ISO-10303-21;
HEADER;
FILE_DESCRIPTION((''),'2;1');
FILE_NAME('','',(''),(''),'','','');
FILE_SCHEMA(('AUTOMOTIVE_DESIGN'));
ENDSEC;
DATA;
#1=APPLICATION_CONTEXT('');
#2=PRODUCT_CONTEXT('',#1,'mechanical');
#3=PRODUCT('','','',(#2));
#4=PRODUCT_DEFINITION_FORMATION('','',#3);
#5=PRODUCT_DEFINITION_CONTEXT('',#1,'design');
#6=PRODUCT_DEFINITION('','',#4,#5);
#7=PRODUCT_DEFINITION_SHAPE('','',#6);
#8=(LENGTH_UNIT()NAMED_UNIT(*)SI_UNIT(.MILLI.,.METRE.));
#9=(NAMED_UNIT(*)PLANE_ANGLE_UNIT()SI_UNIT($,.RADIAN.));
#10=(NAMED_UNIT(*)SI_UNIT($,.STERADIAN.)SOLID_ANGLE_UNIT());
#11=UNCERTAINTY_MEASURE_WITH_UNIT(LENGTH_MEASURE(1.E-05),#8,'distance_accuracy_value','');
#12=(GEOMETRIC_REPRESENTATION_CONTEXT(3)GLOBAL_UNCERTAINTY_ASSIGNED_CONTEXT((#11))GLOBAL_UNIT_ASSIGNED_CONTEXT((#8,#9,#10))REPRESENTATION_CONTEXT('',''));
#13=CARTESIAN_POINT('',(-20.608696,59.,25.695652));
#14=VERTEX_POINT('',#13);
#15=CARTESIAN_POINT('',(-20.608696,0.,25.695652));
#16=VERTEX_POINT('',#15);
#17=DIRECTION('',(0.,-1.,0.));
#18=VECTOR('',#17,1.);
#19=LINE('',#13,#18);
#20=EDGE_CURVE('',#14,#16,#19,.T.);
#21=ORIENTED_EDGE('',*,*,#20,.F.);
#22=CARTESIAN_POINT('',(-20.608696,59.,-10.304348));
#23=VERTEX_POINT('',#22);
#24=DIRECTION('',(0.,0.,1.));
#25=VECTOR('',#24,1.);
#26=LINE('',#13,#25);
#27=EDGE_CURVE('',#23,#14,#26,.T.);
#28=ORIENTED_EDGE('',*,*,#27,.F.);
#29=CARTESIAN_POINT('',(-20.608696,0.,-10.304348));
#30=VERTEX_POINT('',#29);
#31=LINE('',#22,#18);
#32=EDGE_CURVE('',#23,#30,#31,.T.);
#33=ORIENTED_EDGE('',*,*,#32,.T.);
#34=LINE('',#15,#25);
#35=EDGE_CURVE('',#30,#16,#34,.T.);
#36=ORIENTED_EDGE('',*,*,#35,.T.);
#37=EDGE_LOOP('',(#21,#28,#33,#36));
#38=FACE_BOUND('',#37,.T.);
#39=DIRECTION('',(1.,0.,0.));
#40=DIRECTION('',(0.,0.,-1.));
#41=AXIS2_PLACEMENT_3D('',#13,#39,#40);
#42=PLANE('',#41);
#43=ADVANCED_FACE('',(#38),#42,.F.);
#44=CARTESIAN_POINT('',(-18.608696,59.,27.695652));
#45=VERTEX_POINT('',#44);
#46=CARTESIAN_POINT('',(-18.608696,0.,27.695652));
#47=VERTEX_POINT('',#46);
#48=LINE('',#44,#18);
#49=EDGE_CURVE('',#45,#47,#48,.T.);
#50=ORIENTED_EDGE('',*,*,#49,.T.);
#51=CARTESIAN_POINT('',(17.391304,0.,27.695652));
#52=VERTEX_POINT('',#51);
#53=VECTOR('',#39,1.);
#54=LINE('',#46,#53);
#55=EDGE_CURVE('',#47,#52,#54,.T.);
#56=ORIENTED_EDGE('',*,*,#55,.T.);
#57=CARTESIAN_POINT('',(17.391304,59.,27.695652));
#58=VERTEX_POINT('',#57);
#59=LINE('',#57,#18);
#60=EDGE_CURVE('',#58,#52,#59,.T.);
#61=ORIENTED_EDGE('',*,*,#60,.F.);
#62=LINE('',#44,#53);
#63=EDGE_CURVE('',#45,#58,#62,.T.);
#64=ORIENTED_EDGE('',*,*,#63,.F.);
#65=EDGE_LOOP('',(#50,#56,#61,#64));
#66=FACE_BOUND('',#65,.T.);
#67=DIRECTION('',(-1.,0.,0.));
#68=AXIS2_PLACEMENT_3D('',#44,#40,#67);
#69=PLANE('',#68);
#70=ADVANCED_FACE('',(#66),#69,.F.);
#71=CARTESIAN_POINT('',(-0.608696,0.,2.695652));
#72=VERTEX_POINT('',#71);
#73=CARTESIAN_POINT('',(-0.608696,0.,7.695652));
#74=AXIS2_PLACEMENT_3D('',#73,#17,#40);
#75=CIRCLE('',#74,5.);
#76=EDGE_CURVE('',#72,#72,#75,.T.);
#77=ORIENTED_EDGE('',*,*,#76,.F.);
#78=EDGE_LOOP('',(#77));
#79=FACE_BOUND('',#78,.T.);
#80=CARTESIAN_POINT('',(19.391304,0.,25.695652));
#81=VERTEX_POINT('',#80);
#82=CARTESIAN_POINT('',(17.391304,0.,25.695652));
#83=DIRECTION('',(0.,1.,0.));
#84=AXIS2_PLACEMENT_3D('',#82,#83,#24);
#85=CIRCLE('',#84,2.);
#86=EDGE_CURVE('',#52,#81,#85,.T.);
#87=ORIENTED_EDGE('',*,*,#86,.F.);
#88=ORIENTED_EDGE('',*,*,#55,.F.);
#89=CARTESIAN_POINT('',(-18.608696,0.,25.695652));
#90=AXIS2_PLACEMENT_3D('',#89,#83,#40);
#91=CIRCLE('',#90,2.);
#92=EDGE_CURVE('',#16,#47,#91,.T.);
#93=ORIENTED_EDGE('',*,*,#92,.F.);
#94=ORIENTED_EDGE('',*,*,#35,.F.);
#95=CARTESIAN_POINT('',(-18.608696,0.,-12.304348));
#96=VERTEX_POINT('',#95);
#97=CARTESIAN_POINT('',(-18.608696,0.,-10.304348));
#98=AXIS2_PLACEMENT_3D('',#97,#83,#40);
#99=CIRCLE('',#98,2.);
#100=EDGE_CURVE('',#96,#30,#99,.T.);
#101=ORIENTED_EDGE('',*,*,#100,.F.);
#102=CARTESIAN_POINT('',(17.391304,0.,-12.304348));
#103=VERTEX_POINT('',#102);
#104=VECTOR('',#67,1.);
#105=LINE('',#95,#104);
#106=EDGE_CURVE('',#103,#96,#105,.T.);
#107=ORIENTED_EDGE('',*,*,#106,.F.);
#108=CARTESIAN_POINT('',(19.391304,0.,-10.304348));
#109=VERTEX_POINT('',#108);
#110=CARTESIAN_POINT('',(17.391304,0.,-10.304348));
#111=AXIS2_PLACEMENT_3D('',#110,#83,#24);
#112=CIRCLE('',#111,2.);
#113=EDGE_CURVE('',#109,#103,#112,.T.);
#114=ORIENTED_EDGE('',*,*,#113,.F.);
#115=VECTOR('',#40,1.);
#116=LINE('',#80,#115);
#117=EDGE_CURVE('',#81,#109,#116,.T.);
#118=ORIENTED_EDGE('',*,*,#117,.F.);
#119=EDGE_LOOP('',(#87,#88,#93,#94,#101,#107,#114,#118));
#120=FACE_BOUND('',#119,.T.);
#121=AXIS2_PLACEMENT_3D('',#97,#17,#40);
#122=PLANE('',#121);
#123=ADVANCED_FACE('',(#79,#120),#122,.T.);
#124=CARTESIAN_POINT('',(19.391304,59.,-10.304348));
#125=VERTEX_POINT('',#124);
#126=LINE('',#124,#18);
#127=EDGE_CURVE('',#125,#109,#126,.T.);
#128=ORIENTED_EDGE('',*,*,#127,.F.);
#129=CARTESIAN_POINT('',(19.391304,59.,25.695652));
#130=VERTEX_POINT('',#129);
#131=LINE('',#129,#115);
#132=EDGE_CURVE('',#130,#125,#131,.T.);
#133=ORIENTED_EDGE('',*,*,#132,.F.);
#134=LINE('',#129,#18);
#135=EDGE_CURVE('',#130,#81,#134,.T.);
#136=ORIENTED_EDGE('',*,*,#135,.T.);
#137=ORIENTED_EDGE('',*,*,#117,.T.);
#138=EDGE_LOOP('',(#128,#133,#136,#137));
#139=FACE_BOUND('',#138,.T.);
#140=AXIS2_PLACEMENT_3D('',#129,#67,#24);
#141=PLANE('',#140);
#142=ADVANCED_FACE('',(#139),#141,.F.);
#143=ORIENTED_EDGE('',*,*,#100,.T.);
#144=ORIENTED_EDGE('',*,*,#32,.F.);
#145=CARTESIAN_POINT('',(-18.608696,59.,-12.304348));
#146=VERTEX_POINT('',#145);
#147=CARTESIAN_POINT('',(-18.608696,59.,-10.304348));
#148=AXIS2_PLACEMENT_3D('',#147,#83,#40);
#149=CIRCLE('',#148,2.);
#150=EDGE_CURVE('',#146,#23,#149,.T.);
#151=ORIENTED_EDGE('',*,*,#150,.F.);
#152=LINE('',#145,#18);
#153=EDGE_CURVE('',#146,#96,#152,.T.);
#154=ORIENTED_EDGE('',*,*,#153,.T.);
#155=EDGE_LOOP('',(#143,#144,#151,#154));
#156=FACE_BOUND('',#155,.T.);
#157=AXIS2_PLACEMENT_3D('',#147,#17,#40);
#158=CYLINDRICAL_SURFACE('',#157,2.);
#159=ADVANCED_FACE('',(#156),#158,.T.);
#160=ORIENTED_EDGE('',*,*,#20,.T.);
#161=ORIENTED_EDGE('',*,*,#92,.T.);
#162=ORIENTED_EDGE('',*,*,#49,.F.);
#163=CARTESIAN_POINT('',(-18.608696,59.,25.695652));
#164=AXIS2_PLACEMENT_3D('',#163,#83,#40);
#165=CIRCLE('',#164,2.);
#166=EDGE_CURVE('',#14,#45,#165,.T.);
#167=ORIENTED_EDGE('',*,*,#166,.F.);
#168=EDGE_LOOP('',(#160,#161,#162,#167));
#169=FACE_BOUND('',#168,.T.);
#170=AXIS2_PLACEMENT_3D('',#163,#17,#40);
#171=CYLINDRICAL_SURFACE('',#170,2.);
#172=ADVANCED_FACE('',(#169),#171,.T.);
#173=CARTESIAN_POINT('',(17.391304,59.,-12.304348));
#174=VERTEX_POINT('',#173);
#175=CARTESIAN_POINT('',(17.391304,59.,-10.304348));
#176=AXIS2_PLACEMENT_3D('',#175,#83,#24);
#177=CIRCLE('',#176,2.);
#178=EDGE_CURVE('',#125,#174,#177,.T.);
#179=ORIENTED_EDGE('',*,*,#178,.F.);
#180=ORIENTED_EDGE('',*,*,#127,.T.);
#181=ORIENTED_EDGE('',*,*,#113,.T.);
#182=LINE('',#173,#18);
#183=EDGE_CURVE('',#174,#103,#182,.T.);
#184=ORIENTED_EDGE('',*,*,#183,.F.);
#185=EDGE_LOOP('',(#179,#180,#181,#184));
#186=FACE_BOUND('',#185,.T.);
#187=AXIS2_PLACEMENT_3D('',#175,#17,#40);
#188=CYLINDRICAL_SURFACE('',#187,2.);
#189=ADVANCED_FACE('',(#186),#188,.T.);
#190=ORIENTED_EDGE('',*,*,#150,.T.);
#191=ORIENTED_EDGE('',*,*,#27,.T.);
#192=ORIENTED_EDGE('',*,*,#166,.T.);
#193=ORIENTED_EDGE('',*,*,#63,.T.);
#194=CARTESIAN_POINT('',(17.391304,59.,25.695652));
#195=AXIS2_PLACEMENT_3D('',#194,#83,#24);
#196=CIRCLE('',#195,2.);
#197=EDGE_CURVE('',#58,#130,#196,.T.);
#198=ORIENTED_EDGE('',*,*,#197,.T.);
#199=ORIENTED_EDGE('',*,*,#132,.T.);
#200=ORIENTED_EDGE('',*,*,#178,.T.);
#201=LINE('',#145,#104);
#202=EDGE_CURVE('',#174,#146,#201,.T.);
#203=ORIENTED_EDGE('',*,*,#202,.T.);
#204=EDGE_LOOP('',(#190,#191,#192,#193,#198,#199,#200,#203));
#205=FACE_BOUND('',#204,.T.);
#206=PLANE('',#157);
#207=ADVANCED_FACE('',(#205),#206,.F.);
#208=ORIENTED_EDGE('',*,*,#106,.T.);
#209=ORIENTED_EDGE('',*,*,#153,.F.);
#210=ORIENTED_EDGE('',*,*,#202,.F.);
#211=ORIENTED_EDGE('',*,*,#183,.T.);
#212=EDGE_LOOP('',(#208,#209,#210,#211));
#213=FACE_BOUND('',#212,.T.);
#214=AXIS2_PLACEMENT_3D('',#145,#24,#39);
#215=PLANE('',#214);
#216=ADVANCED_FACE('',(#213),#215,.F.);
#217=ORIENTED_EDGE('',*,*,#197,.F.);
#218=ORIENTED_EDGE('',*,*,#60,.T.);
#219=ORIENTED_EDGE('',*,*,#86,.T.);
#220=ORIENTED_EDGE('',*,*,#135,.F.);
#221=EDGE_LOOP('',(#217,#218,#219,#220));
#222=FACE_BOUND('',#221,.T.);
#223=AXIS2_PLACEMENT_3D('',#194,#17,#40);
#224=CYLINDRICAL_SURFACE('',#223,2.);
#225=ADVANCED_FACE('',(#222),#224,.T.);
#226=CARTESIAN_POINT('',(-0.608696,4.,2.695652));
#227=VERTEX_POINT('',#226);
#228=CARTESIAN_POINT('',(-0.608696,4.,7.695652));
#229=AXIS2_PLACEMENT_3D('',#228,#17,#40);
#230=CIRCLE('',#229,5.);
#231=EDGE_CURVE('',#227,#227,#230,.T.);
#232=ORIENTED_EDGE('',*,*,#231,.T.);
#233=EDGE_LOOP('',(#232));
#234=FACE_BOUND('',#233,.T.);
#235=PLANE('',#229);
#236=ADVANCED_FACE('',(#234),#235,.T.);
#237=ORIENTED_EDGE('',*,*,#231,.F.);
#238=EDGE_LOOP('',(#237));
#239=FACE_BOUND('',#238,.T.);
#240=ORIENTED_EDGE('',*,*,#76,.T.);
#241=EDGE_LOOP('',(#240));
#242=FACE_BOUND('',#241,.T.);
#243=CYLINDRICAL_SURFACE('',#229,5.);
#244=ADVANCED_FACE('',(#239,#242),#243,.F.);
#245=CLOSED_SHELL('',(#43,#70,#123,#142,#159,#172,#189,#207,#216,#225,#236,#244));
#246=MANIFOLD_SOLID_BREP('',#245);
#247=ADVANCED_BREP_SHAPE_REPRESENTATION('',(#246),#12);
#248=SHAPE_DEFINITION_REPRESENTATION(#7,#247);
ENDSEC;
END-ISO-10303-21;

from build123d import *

# Parameters (mm, degrees)
BOSS_EXTRUDE1_DEPTH = 59
SKETCH2_R           = 5
CUT_EXTRUDE1_DEPTH  = 4


with BuildPart() as part:
    # Sketch1 → Boss-Extrude1 (new body)
    with BuildSketch(Plane(origin=(0, 0, 0), x_dir=(1, 0, 0), z_dir=(0, 1, 0))):
        with BuildLine():
            Line((-18.608695652, -27.695652174), (17.391304348, -27.695652174))
            ThreePointArc((17.391304348, -27.695652174), (18.80551791, -27.109865736), (19.391304348, -25.695652174))
            Line((19.391304348, -25.695652174), (19.391304348, 10.304347826))
            ThreePointArc((19.391304348, 10.304347826), (18.80551791, 11.718561388), (17.391304348, 12.304347826))
            Line((17.391304348, 12.304347826), (-18.608695652, 12.304347826))
            ThreePointArc((-18.608695652, 12.304347826), (-20.022909215, 11.718561388), (-20.608695652, 10.304347826))
            Line((-20.608695652, 10.304347826), (-20.608695652, -25.695652174))
            ThreePointArc((-20.608695652, -25.695652174), (-20.022909215, -27.109865736), (-18.608695652, -27.695652174))
        make_face()
    extrude(amount=BOSS_EXTRUDE1_DEPTH)

    # Sketch2 → Cut-Extrude1 (cut)
    with BuildSketch(Plane.XZ):
        with Locations(Location((-0.608695652, 7.695652174, 0), (0, 0, 270))):
            Circle(SKETCH2_R)
    extrude(amount=-CUT_EXTRUDE1_DEPTH, mode=Mode.SUBTRACT)


solid = part.part
